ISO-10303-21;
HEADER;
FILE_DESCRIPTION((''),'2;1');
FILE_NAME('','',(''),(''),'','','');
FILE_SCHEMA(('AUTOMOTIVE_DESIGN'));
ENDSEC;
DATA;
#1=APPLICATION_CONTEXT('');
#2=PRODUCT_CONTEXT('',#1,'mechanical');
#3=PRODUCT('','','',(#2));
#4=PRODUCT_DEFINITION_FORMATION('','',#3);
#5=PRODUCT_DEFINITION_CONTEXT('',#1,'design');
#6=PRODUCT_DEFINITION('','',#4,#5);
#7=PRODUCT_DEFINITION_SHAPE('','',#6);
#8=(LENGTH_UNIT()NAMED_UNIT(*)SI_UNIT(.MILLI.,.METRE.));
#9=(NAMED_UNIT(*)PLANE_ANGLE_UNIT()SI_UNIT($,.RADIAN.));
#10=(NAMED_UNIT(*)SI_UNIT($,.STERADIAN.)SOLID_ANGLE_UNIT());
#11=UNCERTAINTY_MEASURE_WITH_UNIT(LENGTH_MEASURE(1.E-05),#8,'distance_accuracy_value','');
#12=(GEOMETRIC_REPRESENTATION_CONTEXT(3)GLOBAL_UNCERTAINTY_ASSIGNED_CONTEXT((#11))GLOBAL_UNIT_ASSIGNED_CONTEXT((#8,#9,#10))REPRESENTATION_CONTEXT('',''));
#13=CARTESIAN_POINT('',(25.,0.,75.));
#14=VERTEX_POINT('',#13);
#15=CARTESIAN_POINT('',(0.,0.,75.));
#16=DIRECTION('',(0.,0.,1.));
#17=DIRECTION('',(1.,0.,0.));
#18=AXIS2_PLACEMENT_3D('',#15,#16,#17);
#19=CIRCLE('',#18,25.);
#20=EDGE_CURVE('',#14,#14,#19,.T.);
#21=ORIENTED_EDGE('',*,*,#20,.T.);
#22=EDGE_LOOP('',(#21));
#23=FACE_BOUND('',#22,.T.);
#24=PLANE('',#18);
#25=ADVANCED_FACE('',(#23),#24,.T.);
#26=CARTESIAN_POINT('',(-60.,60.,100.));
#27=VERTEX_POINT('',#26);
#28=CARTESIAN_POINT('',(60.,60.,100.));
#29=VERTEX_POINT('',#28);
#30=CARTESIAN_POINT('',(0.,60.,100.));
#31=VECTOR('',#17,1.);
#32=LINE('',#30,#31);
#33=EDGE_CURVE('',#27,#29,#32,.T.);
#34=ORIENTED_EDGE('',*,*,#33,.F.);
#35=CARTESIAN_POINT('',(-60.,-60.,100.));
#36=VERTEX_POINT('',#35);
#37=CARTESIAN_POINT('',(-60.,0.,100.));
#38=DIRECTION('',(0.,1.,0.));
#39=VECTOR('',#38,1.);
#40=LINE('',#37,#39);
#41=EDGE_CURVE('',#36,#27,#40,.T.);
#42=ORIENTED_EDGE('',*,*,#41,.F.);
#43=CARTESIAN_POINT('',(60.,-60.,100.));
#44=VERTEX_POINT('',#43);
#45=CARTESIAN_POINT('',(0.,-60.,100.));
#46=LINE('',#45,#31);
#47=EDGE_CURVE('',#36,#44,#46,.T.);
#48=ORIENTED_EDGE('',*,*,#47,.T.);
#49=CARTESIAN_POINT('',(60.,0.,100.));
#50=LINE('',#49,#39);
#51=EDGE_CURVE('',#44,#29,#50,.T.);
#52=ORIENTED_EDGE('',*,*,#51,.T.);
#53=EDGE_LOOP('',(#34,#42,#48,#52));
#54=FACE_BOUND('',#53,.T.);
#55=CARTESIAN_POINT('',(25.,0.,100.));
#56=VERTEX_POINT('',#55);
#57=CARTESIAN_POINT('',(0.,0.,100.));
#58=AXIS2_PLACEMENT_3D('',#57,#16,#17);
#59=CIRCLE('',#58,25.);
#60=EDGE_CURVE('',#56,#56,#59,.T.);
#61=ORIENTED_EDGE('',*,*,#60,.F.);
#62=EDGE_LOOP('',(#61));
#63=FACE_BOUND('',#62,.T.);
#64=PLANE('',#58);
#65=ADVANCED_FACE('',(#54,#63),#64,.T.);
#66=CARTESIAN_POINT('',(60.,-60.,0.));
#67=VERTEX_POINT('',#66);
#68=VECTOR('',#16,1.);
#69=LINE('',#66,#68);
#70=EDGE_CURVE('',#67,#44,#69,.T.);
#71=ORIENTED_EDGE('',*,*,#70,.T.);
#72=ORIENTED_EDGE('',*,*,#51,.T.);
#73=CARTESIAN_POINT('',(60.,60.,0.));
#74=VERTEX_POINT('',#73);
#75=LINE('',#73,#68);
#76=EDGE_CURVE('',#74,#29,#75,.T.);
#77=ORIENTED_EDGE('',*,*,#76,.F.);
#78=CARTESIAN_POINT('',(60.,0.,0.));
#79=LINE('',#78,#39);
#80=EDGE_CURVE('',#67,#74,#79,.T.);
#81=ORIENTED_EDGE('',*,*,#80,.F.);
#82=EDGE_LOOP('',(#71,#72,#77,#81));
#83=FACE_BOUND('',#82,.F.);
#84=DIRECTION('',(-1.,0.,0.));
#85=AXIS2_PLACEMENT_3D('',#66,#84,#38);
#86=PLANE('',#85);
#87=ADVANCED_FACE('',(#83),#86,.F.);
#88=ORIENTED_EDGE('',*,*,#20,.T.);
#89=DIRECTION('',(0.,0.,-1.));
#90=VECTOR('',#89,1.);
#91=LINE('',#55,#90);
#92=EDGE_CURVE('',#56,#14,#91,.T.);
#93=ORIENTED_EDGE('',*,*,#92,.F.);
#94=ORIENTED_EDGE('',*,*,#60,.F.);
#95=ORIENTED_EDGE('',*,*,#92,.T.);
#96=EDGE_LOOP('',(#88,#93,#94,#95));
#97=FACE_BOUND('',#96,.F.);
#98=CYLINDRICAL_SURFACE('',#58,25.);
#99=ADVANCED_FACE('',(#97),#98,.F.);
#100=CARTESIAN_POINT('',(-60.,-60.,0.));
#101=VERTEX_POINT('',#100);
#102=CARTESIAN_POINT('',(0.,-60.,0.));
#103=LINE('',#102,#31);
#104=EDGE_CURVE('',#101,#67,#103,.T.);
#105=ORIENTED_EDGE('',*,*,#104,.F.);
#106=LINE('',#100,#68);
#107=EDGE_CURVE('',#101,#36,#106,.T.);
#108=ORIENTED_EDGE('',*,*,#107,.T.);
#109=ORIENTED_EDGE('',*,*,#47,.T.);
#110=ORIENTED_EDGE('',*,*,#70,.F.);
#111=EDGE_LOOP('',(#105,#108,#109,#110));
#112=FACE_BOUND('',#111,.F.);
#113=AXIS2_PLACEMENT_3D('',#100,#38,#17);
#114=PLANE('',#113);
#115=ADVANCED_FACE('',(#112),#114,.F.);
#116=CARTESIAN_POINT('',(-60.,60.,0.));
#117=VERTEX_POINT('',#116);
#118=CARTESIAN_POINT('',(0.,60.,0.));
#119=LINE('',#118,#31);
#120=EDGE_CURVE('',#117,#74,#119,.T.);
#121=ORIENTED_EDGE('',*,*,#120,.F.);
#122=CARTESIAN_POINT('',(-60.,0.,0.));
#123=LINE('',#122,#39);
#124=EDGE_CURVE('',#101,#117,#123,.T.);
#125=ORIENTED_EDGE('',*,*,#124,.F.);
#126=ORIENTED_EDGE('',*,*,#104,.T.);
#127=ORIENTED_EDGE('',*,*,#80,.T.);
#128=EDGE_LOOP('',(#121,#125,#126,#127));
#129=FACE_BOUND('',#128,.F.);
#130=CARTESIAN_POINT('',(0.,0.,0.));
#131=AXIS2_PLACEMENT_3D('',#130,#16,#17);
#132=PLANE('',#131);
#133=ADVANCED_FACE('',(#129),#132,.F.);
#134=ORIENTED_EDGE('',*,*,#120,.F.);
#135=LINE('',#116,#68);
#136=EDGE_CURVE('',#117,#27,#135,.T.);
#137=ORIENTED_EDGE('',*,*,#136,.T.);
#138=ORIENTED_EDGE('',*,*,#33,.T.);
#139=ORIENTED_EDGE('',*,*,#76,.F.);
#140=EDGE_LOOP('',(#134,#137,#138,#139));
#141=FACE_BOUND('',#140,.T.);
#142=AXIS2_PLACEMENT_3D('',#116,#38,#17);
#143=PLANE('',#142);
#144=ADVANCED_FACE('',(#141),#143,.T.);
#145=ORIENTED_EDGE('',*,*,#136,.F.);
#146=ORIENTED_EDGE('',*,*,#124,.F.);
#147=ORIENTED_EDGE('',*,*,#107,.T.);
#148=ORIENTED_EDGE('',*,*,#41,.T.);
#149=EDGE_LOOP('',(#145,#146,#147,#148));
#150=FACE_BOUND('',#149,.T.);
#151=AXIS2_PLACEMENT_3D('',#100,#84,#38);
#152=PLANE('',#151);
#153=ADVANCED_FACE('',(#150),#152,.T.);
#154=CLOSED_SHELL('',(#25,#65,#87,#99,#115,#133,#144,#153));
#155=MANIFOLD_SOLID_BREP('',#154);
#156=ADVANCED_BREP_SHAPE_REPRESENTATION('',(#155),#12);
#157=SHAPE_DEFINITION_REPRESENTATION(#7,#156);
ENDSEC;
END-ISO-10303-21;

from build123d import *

# Parameters (mm, degrees)
F0_W     = 120
F0_H     = 120
F1_DEPTH = 100
F2_R     = 25
F3_DEPTH = 25


with BuildPart() as f1:
    # F0 (on Top) → F1 (new body)
    with BuildSketch(Plane.XY):
        Rectangle(F0_W, F0_H)
    extrude(amount=F1_DEPTH)


with BuildPart() as f3:
    # F2 (on face) → F3 (new body)
    with BuildSketch(Plane.XY.offset(100)):
        Circle(F2_R)
    extrude(amount=-F3_DEPTH)


with BuildPart() as f1_1:
    add(f1.part)

    # F4: cut F3
    add(f3.part, mode=Mode.SUBTRACT)


solid = f1_1.part
